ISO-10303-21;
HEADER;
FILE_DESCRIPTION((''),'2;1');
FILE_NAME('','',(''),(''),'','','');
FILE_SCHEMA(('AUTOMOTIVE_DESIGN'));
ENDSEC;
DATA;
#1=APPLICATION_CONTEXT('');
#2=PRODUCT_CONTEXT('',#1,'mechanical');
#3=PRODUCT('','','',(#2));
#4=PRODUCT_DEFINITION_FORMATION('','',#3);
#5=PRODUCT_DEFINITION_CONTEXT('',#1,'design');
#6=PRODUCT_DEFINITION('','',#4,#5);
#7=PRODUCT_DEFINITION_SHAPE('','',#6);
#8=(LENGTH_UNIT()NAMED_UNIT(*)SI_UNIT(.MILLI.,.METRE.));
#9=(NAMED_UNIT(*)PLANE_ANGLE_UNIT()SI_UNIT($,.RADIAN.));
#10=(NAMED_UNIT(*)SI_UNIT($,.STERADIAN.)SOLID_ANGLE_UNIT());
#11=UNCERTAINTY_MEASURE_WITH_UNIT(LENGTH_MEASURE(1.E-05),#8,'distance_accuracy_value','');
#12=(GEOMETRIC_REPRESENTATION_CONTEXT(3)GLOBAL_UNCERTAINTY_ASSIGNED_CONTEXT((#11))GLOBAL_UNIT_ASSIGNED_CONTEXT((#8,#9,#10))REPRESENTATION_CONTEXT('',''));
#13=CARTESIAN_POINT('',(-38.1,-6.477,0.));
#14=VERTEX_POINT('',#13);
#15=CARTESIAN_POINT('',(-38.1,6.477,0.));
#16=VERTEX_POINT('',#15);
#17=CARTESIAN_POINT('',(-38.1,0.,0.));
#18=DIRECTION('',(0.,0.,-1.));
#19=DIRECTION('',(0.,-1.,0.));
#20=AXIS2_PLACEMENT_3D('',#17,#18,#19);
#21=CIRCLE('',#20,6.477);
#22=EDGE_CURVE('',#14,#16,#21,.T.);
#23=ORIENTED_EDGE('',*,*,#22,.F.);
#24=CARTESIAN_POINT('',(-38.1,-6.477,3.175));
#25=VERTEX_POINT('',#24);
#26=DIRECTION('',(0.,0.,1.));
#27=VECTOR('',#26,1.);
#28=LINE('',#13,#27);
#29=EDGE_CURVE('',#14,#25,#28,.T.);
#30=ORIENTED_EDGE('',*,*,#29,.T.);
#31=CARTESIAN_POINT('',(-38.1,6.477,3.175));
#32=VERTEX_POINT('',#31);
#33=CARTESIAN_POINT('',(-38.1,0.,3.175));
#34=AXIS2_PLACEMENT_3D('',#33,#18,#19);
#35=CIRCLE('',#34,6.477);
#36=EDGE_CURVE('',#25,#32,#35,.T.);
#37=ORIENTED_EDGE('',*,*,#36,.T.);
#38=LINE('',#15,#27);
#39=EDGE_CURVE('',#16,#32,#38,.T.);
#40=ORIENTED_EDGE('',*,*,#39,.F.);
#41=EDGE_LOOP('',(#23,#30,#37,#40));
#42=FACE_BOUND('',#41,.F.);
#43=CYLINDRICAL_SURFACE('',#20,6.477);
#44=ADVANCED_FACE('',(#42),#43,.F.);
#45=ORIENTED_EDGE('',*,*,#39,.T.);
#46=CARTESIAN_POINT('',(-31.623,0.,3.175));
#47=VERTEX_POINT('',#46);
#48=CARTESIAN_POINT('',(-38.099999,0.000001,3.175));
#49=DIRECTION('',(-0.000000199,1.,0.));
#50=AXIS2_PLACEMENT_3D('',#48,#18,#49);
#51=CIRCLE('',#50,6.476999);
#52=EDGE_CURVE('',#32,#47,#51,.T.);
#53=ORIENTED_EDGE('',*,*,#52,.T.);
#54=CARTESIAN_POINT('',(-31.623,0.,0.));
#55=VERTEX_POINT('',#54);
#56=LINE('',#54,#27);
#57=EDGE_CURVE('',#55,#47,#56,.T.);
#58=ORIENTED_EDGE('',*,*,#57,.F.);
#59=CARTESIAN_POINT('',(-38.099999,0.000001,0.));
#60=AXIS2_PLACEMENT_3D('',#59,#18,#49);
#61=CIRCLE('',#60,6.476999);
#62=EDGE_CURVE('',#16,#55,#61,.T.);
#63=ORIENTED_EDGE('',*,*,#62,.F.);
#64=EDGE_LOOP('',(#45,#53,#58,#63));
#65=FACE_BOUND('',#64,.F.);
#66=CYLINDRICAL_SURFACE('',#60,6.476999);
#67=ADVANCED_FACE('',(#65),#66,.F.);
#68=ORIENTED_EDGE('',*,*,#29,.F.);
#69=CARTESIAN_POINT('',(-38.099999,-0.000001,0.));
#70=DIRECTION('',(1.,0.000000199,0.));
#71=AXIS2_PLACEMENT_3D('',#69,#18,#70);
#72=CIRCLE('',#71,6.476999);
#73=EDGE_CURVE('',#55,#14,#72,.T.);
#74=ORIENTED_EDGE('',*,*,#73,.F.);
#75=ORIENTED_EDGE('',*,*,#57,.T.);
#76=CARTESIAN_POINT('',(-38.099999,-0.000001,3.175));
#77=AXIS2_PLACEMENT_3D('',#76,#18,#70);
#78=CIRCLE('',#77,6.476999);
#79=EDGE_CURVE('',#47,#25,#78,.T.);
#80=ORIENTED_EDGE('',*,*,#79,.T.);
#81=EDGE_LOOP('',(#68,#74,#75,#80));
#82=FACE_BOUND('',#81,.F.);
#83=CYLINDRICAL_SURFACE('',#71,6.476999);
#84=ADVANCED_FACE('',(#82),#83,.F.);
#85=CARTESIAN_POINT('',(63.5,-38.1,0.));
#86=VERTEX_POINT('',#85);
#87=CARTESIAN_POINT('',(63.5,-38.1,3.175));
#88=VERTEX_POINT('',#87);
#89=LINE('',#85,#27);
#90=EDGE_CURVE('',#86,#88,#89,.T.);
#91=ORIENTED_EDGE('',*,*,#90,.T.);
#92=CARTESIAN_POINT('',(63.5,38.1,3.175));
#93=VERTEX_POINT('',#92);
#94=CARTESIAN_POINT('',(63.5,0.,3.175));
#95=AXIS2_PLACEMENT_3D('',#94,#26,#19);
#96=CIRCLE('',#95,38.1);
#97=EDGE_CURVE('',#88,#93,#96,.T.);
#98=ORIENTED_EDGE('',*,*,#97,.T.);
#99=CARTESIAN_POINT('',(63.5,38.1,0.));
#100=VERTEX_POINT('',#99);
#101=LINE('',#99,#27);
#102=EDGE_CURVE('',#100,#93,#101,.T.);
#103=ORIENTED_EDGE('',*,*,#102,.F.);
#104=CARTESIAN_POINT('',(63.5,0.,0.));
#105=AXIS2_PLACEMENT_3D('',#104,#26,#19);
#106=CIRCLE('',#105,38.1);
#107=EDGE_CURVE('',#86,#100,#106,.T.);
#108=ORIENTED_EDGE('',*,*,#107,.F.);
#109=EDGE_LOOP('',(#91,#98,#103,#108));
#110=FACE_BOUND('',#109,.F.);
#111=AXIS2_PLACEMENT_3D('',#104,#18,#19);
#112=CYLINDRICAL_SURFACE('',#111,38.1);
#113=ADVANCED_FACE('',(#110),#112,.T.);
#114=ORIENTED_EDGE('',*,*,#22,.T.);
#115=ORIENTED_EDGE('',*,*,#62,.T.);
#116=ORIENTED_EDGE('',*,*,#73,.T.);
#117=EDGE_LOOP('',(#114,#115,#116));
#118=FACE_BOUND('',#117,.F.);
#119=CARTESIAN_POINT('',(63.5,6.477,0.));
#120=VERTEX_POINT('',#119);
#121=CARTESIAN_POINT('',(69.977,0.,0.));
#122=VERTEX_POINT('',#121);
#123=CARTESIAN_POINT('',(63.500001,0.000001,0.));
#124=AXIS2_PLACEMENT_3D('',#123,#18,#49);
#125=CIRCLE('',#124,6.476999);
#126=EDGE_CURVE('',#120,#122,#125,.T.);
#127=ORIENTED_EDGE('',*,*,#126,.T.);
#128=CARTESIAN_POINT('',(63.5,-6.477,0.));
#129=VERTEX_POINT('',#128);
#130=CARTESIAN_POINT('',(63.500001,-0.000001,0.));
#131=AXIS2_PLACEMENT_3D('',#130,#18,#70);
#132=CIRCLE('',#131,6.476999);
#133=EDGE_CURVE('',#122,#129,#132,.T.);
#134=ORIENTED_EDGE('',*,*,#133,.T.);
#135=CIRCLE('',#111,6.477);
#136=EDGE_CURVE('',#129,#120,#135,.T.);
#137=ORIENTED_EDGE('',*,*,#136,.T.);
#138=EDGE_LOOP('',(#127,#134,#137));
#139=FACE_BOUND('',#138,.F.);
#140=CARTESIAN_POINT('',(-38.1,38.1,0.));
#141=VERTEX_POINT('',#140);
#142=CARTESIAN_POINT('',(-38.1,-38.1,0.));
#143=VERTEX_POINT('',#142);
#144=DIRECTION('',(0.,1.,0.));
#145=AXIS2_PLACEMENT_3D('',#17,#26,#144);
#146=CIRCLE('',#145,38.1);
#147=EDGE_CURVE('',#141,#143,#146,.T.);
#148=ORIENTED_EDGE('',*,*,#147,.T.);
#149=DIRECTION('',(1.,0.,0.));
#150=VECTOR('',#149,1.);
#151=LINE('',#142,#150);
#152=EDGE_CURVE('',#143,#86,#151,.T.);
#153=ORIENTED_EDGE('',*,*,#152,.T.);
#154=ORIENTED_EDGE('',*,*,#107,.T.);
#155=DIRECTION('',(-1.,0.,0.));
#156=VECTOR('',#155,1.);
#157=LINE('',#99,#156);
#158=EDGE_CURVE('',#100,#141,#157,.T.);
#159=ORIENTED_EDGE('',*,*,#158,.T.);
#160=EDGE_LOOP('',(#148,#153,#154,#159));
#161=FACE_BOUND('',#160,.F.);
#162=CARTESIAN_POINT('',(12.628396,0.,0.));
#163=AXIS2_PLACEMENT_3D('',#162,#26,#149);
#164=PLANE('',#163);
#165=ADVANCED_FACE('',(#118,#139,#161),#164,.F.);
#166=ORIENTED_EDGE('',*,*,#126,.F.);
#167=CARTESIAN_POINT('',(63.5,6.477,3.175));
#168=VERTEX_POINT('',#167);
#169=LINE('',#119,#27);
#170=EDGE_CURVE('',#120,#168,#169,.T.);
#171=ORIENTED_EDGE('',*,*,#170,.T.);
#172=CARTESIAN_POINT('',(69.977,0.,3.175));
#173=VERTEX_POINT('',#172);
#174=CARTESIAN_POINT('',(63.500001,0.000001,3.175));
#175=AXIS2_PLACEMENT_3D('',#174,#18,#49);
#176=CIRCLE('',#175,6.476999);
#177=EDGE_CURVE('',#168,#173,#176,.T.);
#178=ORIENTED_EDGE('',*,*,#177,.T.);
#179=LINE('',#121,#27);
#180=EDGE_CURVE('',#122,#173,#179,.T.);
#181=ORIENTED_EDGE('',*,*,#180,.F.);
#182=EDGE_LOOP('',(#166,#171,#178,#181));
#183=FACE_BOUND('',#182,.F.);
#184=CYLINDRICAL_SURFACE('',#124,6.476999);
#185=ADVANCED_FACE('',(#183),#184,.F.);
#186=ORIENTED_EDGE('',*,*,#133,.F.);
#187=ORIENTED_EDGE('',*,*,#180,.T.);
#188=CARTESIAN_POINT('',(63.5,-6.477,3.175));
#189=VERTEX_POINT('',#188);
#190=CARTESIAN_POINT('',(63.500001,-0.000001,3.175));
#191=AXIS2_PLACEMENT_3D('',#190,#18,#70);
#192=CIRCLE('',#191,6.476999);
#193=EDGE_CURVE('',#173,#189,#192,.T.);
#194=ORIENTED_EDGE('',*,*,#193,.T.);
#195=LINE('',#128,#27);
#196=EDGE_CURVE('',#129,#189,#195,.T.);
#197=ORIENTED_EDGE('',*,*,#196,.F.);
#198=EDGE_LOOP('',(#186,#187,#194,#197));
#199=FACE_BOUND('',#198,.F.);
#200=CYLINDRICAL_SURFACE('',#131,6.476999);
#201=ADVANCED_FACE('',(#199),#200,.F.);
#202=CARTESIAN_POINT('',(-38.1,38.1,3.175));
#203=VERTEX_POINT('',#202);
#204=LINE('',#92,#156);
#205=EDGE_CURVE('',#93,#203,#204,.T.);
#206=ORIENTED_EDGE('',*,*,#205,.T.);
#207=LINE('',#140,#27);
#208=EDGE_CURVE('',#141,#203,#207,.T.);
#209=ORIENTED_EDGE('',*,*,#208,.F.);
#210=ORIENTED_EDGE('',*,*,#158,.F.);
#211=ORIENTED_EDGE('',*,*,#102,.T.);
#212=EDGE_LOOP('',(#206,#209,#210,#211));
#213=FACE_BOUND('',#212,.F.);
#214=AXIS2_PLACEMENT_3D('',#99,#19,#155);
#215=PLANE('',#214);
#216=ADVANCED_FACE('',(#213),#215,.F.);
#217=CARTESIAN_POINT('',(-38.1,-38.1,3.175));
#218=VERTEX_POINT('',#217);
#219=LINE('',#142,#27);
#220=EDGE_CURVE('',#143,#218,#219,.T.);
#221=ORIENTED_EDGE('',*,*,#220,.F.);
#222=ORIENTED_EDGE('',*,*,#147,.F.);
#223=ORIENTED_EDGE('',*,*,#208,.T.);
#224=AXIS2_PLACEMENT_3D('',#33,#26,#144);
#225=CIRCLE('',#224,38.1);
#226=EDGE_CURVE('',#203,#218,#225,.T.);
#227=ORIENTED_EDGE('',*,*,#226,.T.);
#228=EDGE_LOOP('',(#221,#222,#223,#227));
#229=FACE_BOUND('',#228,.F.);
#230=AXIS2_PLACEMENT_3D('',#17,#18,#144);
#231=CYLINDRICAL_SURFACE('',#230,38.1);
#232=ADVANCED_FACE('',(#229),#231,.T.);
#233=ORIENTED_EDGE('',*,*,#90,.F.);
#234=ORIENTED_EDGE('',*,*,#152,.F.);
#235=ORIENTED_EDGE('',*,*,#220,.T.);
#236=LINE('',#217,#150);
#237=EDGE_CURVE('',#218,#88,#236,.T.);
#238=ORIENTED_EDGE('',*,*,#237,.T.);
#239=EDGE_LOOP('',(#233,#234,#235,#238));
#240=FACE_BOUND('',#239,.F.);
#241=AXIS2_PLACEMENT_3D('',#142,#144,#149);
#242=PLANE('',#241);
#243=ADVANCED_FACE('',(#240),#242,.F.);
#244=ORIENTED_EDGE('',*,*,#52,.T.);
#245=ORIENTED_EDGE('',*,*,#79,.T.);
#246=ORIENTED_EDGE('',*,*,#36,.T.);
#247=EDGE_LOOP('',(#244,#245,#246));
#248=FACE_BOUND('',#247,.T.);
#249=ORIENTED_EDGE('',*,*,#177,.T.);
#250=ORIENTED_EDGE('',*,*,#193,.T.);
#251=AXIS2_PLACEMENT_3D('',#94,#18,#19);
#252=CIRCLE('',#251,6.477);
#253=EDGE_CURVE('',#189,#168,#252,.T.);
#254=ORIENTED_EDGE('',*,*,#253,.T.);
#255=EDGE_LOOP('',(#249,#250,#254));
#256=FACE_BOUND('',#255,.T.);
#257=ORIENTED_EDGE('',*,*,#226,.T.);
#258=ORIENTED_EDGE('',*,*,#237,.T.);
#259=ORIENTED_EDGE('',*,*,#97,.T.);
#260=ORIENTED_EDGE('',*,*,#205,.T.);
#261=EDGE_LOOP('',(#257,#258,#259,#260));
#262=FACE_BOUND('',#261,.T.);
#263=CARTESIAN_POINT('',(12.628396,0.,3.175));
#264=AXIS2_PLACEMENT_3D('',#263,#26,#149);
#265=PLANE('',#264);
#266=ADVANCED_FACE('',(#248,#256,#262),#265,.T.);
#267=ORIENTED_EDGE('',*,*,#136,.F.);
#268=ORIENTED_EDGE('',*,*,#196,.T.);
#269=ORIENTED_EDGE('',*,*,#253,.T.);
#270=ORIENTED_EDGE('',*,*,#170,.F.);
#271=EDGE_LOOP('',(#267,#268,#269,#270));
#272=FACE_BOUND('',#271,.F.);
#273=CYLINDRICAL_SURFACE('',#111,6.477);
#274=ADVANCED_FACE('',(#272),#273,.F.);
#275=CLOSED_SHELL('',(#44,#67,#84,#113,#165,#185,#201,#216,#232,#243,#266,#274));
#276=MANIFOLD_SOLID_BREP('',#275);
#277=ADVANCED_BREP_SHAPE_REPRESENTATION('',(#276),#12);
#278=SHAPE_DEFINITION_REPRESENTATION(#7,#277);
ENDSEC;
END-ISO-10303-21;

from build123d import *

# Parameters (mm, degrees)
F1_DEPTH = 3.175


with BuildPart() as f1:
    # F0 (on Top) → F1 (new body)
    with BuildSketch(Plane.XY):
        with BuildLine():
            Line((63.5, 38.1), (-38.1, 38.1))
            Line((-38.1, 38.1), (-38.1, 6.477))
            ThreePointArc((-38.1, 6.477), (-33.520069, 4.579931), (-31.623, 0))
            ThreePointArc((-31.623, 0), (-33.520069, -4.579931), (-38.1, -6.477))
            Line((-38.1, -6.477), (-38.1, -38.1))
            Line((-38.1, -38.1), (63.5, -38.1))
            Line((63.5, -38.1), (63.5, -6.477))
            ThreePointArc((63.5, -6.477), (57.023, 0), (63.5, 6.477))
            Line((63.5, 6.477), (63.5, 38.1))
        make_face()
        with BuildLine():
            Line((-38.1, 6.477), (-38.1, 38.1))
            ThreePointArc((-38.1, 38.1), (-76.2, 0), (-38.1, -38.1))
            Line((-38.1, -38.1), (-38.1, -6.477))
            ThreePointArc((-38.1, -6.477), (-44.577, 0), (-38.1, 6.477))
        make_face()
        with BuildLine():
            ThreePointArc((63.5, -38.1), (101.6, 0), (63.5, 38.1))
            Line((63.5, 38.1), (63.5, 6.477))
            ThreePointArc((63.5, 6.477), (68.079931, 4.579931), (69.977, 0))
            ThreePointArc((69.977, 0), (68.079931, -4.579931), (63.5, -6.477))
            Line((63.5, -6.477), (63.5, -38.1))
        make_face()
    extrude(amount=F1_DEPTH)


solid = f1.part
